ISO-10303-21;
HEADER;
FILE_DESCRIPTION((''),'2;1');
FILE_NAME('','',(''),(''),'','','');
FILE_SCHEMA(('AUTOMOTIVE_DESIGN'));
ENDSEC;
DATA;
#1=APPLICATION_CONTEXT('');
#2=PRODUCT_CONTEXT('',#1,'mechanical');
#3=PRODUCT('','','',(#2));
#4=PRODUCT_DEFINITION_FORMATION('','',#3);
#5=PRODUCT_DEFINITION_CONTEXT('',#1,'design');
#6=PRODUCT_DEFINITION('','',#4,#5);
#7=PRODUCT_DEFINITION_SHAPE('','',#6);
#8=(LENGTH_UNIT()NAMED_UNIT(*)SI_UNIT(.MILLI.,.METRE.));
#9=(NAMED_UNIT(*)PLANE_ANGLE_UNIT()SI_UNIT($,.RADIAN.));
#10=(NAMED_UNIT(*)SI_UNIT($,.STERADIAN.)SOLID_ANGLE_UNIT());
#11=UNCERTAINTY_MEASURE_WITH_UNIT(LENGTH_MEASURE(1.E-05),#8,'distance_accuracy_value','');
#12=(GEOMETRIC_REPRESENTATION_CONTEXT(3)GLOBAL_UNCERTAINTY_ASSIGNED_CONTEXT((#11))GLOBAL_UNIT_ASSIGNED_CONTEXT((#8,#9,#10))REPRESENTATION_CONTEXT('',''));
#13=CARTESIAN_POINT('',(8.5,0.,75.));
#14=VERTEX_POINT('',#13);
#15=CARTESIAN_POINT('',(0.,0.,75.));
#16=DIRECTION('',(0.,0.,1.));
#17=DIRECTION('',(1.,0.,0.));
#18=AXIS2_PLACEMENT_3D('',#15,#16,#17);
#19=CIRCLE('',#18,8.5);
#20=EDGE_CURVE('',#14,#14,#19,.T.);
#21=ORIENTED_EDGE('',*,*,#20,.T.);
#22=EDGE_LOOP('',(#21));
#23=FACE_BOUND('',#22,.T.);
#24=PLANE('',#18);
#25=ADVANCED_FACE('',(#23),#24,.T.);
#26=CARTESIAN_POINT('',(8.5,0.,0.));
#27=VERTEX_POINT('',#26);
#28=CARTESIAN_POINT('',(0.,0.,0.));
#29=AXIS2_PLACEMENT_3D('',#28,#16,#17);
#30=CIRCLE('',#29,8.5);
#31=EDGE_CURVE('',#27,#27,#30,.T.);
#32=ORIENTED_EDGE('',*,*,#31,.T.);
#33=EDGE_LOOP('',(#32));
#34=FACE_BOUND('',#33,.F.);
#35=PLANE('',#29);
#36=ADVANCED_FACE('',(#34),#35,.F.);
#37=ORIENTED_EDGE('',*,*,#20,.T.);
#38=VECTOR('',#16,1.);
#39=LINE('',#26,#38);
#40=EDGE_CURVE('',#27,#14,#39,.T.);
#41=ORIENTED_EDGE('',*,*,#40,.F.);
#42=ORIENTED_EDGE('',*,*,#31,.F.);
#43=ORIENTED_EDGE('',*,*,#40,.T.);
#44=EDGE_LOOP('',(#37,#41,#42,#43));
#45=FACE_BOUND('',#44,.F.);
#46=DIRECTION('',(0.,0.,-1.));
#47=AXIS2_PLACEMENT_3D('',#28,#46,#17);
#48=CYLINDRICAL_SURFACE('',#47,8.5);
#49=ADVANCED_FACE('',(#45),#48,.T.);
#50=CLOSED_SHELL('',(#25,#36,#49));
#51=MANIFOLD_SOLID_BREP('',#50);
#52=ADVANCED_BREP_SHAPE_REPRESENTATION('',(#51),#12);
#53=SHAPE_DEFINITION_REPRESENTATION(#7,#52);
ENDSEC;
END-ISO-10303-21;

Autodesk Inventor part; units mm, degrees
ref_plane "YZ Plane" through (0, 0, 0) normal (1, 0, 0) x (0, 1, 0)
ref_plane "XZ Plane" through (0, 0, 0) normal (0, 1, 0) x (-1, 0, 0)
ref_plane "XY Plane" through (0, 0, 0) normal (0, 0, 1) x (1, 0, 0)
sketch "Skizze1" plane through (0, 0, 0) normal (0, 0, 1) x (1, 0, 0)
  circle A0 centre (0, 0) radius 8.5
  dimension "d0" = 17
extrude "Extrusion1" add sketch "Skizze1" along normal blind 75
properties part number "Rundstab 17 x 75"
